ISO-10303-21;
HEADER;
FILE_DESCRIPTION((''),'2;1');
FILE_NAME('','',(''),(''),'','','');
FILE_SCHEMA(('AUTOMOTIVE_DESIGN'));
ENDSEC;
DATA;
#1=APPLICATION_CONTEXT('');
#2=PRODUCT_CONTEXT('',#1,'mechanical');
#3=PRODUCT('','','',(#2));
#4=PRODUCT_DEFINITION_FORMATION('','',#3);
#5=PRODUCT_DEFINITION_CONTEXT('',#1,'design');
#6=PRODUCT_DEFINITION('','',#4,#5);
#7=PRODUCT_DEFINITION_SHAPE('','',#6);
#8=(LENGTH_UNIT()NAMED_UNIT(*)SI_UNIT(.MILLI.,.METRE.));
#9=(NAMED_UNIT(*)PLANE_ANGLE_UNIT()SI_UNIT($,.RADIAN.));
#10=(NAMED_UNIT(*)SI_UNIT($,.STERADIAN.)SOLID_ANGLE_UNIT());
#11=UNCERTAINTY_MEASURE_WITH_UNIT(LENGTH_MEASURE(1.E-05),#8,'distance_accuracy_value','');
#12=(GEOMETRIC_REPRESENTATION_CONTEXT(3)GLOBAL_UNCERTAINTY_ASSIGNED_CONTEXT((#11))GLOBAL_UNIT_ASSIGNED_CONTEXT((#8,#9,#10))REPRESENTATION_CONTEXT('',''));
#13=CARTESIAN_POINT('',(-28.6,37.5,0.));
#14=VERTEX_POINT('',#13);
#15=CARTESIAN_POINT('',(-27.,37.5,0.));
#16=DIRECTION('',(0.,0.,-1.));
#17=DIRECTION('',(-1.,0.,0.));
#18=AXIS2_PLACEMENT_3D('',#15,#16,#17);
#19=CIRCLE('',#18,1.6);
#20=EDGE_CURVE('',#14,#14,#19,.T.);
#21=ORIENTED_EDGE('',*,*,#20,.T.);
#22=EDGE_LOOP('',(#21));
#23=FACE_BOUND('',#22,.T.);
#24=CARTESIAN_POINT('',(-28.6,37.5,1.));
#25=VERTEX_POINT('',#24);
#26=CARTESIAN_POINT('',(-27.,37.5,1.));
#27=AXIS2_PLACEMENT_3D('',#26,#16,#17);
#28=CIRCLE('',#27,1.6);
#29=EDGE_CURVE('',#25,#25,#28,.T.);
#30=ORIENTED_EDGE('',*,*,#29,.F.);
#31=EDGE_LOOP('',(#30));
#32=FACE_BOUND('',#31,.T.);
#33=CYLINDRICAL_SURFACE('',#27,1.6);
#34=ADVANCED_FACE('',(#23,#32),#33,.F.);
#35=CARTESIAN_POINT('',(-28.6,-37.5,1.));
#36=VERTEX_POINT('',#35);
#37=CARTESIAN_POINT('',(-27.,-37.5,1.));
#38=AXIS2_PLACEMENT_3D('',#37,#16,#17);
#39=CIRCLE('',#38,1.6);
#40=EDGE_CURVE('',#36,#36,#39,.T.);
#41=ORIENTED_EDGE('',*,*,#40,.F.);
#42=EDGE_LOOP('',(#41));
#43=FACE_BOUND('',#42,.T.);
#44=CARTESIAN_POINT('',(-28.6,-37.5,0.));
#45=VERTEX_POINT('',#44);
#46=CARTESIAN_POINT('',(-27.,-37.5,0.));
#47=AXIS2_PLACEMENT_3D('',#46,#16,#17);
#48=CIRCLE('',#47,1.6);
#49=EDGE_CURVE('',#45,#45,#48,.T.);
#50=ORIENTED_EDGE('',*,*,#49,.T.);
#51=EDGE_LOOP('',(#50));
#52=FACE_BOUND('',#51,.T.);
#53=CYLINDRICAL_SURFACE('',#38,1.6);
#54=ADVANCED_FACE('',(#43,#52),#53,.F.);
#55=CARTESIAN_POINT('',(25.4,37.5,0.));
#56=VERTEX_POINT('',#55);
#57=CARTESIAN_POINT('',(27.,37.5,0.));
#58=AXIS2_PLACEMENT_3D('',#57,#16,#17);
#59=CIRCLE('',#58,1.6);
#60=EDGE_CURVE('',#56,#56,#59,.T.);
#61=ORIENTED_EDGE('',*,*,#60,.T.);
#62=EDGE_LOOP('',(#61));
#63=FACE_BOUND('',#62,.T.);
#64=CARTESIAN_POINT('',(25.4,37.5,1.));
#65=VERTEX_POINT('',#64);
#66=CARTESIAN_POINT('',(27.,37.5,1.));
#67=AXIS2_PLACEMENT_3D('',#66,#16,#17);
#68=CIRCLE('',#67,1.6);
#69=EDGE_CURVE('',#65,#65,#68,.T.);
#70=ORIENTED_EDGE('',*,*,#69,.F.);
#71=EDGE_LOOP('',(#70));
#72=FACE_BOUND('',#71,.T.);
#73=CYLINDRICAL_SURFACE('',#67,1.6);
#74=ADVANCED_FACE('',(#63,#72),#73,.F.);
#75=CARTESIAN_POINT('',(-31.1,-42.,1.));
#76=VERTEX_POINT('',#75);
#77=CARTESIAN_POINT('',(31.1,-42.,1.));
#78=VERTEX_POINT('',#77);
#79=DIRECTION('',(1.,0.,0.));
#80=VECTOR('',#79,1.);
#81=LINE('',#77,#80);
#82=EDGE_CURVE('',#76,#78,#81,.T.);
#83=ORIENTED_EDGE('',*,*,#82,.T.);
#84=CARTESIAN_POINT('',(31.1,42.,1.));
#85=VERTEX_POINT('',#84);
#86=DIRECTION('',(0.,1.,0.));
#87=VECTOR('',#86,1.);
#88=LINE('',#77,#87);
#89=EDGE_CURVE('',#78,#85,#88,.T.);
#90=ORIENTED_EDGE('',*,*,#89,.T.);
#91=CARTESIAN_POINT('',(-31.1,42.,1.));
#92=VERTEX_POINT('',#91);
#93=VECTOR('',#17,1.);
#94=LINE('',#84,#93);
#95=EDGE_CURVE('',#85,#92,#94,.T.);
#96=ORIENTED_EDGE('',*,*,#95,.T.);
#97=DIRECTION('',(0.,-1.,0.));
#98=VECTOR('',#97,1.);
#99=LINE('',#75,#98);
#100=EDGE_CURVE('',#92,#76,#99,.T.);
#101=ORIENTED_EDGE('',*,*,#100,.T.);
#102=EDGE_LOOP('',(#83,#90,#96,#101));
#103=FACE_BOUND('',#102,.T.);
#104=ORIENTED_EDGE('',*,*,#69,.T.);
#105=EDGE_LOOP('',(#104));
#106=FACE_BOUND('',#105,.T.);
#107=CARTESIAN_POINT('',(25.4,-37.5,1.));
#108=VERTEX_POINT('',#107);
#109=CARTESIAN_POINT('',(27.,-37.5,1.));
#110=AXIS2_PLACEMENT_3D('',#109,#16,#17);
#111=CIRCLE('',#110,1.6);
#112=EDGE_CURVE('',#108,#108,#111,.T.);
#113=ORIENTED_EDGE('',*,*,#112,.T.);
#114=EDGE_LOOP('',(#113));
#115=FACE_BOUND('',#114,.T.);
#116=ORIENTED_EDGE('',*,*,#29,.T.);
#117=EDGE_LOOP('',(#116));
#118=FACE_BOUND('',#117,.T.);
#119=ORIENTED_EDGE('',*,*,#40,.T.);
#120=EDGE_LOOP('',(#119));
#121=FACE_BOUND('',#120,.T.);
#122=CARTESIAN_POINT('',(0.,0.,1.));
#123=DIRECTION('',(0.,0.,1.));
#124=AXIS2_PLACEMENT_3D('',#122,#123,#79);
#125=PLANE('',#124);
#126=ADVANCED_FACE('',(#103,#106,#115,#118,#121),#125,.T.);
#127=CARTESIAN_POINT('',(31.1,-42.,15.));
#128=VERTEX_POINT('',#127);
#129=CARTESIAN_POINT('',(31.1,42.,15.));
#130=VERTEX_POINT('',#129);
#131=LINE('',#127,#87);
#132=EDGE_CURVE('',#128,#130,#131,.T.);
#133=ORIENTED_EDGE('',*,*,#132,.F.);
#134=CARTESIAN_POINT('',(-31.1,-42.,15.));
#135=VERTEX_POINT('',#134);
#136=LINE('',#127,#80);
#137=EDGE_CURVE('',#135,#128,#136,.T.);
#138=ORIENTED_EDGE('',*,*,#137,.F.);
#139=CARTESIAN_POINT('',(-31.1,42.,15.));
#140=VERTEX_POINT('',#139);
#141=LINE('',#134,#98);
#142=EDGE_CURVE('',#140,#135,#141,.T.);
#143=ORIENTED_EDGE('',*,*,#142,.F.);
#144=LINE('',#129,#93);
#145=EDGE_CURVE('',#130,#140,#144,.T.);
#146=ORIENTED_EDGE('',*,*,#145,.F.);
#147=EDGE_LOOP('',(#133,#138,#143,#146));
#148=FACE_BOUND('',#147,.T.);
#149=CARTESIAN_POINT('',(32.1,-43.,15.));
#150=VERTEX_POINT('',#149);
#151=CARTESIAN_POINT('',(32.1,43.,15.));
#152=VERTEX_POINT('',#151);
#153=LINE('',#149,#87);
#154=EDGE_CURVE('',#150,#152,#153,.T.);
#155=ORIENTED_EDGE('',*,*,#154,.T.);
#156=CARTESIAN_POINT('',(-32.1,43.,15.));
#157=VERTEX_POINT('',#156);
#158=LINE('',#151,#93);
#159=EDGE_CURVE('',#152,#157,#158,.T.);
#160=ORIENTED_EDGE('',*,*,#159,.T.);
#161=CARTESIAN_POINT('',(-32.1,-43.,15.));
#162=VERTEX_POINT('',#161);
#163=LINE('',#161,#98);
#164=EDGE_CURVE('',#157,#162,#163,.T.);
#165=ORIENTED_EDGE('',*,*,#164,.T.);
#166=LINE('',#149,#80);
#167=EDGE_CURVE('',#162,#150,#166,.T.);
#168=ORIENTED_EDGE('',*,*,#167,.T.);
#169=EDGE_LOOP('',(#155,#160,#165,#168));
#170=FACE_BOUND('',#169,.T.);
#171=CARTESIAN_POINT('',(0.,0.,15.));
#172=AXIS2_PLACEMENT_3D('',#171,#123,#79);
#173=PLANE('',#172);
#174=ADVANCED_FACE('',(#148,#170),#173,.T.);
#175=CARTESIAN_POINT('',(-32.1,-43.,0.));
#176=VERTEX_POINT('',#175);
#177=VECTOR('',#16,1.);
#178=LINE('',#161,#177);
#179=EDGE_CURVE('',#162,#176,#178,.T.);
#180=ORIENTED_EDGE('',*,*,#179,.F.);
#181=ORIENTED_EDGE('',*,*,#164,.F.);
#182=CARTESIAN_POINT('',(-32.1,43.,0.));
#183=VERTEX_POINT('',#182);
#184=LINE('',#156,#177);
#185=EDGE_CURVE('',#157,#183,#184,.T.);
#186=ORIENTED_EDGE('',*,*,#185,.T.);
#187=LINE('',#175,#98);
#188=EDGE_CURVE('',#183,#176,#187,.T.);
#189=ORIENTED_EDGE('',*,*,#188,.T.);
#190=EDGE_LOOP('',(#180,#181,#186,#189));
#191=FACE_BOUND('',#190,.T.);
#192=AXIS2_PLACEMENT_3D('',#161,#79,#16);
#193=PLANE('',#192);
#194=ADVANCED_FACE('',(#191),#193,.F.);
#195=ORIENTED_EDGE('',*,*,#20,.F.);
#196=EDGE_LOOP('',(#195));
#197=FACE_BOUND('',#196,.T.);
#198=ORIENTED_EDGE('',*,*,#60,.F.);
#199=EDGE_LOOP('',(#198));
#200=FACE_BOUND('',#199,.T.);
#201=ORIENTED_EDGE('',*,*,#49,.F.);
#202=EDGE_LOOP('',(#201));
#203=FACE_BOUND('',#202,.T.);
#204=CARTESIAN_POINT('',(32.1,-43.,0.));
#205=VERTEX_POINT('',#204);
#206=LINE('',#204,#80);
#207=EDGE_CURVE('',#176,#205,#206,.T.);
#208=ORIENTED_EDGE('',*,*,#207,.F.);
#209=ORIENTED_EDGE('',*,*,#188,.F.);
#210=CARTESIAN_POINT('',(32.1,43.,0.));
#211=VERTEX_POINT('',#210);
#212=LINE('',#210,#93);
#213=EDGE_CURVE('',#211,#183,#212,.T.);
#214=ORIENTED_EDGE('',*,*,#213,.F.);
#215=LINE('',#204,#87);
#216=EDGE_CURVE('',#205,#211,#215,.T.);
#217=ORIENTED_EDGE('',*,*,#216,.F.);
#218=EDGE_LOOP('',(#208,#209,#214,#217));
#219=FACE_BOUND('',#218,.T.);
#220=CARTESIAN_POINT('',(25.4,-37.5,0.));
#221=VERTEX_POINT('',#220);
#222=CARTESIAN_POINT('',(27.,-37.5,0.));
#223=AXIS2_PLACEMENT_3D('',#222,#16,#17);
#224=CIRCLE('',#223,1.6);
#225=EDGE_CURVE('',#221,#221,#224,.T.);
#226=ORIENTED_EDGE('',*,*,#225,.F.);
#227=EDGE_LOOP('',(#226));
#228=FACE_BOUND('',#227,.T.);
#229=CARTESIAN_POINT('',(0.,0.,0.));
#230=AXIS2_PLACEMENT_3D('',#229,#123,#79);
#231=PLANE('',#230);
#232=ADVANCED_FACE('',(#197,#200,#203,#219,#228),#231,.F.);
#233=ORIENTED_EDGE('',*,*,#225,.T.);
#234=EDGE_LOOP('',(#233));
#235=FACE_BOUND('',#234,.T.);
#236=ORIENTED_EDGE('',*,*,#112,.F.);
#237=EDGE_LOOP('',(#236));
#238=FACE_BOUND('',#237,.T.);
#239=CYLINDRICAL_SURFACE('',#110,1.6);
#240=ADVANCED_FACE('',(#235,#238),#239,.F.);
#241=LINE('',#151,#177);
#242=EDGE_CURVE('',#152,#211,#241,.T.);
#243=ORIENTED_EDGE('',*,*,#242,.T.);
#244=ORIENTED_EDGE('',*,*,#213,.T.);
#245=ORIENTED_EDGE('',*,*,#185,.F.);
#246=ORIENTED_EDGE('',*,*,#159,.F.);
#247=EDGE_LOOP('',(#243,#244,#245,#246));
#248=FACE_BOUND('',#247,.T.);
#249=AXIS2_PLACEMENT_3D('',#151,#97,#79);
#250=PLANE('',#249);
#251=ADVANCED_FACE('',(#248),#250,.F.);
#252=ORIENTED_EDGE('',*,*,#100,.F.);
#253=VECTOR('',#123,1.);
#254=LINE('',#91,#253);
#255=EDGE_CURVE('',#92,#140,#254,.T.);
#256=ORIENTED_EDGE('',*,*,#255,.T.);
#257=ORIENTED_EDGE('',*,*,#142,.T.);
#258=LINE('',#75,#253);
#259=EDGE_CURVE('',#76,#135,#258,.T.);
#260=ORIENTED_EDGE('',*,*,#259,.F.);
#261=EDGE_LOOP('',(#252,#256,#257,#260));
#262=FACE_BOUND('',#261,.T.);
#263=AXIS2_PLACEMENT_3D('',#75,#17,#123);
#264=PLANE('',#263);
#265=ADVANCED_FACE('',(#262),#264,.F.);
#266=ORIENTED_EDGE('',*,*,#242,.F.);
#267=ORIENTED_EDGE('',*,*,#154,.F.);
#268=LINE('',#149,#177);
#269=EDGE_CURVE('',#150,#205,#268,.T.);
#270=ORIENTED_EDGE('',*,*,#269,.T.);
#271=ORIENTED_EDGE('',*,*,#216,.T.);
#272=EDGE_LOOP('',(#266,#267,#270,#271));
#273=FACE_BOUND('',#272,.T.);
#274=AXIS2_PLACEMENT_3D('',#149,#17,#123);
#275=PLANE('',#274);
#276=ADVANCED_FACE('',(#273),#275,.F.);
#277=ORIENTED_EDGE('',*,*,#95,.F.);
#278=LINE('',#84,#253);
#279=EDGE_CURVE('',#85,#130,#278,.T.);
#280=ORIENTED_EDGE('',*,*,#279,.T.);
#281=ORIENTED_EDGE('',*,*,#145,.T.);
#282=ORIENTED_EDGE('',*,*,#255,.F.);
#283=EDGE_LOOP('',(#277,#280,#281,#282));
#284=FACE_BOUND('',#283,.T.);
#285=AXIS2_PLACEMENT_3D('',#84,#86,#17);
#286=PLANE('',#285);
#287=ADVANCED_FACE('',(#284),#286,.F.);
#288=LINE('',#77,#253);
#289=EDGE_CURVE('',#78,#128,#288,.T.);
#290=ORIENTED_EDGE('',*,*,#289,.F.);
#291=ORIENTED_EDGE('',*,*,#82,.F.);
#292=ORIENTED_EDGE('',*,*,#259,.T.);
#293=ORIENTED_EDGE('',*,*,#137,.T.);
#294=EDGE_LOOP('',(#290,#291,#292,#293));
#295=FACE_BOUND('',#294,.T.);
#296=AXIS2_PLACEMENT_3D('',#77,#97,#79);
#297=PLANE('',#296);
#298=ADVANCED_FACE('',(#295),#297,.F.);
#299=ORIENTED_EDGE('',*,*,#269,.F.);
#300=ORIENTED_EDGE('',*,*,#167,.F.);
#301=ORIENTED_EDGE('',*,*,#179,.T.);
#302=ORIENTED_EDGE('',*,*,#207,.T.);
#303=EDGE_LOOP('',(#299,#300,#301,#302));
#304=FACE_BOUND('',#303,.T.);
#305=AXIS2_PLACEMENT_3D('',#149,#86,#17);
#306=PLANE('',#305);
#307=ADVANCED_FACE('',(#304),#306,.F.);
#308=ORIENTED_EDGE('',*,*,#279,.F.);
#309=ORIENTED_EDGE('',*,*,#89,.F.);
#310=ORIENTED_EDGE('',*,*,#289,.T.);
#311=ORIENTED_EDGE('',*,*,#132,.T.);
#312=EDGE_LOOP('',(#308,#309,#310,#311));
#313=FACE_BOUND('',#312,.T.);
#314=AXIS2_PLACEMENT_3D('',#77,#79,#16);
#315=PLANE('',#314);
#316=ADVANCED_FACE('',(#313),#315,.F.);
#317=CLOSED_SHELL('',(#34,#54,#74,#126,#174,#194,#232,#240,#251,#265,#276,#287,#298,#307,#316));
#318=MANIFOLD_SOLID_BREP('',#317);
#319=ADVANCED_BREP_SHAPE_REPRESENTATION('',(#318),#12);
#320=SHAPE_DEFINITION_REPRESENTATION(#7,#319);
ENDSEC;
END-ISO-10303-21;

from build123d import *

# Parameters (mm, degrees)
SKETCH_1_W          = 64.2
SKETCH_1_H          = 86
EXTRUDE_1_DEPTH     = 15
SKETCH_2_W          = 62.2
SKETCH_2_H          = 84
CUT_EXTRUDE_1_DEPTH = 14
SKETCH_4_R          = 1.6
CUT_EXTRUDE_2_DEPTH = 1


with BuildPart() as part:
    # Эскиз1 → Бобышка-Вытянуть1 (new body)
    with BuildSketch(Plane.XY):
        Rectangle(SKETCH_1_W, SKETCH_1_H)
    extrude(amount=EXTRUDE_1_DEPTH)

    # Эскиз2 → Вырез-Вытянуть1 (cut)
    with BuildSketch(Plane.XY.offset(15)):
        Rectangle(SKETCH_2_W, SKETCH_2_H)
    extrude(amount=-CUT_EXTRUDE_1_DEPTH, mode=Mode.SUBTRACT)

    # Эскиз4 → Вырез-Вытянуть2 (cut)
    with BuildSketch(Plane(origin=(0, 0, 0), x_dir=(-1, 0, 0), z_dir=(0, 0, -1))):
        with Locations((-27, 37.5)):
            Circle(SKETCH_4_R)
        with Locations((27, 37.5)):
            Circle(SKETCH_4_R)
        with Locations((-27, -37.5)):
            Circle(SKETCH_4_R)
        with Locations((27, -37.5)):
            Circle(SKETCH_4_R)
    extrude(amount=-CUT_EXTRUDE_2_DEPTH, mode=Mode.SUBTRACT)


solid = part.part
